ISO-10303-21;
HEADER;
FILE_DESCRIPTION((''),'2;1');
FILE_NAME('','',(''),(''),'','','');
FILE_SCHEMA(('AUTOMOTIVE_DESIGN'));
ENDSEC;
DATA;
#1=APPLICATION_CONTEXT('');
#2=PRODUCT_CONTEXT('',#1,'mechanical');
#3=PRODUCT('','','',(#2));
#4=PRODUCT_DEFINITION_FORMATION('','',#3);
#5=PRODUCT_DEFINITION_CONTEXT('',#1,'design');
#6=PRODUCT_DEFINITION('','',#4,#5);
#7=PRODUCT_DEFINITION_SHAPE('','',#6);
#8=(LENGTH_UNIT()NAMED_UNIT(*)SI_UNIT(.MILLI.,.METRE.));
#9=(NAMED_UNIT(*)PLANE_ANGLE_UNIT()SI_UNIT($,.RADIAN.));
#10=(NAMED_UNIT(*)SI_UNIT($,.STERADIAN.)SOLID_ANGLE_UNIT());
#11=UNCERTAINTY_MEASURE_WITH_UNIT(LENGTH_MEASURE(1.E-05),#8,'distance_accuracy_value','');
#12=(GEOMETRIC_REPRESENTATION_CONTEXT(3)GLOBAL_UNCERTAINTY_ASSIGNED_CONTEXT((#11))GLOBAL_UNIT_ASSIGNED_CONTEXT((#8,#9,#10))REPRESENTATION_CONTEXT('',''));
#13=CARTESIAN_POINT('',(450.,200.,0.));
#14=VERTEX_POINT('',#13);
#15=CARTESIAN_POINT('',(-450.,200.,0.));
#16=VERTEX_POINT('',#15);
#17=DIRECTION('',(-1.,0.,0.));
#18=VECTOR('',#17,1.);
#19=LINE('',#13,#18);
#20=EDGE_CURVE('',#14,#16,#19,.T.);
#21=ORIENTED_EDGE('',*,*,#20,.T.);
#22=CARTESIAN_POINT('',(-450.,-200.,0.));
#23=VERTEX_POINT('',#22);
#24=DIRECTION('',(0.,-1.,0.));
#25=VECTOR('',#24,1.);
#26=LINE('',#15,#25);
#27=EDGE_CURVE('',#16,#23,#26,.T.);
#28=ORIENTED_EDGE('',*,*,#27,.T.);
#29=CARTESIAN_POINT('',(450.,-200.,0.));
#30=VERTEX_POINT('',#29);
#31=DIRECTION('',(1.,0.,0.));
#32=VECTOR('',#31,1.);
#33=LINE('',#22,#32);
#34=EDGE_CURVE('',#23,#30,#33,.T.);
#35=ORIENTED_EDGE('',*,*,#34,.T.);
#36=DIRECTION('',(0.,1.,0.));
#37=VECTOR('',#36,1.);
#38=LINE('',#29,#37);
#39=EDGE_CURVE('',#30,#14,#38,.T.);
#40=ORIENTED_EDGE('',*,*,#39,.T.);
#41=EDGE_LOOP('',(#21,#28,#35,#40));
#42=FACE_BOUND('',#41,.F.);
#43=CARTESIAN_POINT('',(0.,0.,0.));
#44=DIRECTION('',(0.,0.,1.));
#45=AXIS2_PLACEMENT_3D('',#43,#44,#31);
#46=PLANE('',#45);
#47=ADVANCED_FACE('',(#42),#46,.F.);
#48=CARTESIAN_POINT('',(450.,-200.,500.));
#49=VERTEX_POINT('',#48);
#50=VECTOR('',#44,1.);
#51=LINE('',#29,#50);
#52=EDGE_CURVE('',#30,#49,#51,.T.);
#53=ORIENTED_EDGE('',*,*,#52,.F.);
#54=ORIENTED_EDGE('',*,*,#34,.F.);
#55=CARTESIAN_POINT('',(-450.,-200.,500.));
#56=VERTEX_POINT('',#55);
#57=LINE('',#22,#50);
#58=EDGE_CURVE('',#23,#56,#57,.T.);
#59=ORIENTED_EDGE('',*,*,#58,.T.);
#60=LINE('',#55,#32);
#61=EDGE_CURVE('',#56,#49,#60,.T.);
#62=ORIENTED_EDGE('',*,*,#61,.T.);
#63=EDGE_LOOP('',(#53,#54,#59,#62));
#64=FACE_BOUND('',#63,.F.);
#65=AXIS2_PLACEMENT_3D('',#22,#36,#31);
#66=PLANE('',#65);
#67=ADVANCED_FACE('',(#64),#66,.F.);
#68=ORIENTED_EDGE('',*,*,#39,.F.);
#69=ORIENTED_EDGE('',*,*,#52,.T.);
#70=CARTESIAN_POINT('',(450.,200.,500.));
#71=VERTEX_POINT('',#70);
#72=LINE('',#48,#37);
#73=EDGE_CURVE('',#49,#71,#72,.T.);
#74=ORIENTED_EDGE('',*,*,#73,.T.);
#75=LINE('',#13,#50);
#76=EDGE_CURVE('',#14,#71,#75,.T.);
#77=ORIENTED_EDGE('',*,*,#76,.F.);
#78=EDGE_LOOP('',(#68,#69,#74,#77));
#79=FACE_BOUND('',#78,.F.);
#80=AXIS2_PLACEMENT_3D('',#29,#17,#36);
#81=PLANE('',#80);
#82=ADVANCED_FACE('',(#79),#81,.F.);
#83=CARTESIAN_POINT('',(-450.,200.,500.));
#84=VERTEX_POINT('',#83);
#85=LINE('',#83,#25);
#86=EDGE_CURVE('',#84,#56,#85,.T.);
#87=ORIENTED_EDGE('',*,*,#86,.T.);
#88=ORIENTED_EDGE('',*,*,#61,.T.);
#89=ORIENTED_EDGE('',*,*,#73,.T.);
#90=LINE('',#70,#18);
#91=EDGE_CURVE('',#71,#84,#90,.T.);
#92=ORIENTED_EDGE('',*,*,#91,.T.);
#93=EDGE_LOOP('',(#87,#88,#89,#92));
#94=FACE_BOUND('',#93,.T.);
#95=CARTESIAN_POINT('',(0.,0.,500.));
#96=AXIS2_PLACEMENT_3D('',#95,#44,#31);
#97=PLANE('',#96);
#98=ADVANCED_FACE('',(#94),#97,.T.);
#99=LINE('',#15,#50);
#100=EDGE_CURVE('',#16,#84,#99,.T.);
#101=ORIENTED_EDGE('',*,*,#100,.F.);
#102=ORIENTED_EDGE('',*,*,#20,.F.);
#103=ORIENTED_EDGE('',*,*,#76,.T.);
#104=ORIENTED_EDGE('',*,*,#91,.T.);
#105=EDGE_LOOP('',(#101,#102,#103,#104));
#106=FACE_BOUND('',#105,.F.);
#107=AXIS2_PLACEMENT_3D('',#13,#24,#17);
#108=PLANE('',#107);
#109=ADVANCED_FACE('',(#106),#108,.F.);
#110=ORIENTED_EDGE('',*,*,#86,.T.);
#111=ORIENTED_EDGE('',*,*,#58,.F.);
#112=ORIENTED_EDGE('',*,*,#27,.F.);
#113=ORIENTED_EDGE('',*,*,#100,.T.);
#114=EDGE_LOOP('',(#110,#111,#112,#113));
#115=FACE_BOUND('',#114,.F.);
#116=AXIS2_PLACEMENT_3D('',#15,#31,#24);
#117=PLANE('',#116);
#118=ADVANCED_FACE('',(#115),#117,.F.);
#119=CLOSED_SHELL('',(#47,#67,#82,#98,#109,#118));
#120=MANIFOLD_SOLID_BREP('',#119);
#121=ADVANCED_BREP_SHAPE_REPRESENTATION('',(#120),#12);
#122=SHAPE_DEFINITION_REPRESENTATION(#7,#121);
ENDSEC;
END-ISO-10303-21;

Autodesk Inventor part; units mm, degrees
ref_plane "YZ Plane" through (0, 0, 0) normal (1, 0, 0) x (0, 1, 0)
ref_plane "XZ Plane" through (0, 0, 0) normal (0, 1, 0) x (-1, 0, 0)
ref_plane "XY Plane" through (0, 0, 0) normal (0, 0, 1) x (1, 0, 0)
ref_plane "Plano de trabajo1" through (0, 0, 0) normal (0, 0, 1) x (1, 0, 0)
sketch "Boceto1" plane through (0, 0, 0) normal (0, 0, 1) x (1, 0, 0)
  line L0 (450, 200) -> (-450, 200) projected
  line L1 (-450, 200) -> (-450, -200) projected
  line L2 (-450, -200) -> (450, -200) projected
  line L3 (450, -200) -> (450, 200) projected
  point P0 (0, 0)
extrude "Extrusión1" add sketch "Boceto1" along normal blind 500
properties part number "Acuario"
